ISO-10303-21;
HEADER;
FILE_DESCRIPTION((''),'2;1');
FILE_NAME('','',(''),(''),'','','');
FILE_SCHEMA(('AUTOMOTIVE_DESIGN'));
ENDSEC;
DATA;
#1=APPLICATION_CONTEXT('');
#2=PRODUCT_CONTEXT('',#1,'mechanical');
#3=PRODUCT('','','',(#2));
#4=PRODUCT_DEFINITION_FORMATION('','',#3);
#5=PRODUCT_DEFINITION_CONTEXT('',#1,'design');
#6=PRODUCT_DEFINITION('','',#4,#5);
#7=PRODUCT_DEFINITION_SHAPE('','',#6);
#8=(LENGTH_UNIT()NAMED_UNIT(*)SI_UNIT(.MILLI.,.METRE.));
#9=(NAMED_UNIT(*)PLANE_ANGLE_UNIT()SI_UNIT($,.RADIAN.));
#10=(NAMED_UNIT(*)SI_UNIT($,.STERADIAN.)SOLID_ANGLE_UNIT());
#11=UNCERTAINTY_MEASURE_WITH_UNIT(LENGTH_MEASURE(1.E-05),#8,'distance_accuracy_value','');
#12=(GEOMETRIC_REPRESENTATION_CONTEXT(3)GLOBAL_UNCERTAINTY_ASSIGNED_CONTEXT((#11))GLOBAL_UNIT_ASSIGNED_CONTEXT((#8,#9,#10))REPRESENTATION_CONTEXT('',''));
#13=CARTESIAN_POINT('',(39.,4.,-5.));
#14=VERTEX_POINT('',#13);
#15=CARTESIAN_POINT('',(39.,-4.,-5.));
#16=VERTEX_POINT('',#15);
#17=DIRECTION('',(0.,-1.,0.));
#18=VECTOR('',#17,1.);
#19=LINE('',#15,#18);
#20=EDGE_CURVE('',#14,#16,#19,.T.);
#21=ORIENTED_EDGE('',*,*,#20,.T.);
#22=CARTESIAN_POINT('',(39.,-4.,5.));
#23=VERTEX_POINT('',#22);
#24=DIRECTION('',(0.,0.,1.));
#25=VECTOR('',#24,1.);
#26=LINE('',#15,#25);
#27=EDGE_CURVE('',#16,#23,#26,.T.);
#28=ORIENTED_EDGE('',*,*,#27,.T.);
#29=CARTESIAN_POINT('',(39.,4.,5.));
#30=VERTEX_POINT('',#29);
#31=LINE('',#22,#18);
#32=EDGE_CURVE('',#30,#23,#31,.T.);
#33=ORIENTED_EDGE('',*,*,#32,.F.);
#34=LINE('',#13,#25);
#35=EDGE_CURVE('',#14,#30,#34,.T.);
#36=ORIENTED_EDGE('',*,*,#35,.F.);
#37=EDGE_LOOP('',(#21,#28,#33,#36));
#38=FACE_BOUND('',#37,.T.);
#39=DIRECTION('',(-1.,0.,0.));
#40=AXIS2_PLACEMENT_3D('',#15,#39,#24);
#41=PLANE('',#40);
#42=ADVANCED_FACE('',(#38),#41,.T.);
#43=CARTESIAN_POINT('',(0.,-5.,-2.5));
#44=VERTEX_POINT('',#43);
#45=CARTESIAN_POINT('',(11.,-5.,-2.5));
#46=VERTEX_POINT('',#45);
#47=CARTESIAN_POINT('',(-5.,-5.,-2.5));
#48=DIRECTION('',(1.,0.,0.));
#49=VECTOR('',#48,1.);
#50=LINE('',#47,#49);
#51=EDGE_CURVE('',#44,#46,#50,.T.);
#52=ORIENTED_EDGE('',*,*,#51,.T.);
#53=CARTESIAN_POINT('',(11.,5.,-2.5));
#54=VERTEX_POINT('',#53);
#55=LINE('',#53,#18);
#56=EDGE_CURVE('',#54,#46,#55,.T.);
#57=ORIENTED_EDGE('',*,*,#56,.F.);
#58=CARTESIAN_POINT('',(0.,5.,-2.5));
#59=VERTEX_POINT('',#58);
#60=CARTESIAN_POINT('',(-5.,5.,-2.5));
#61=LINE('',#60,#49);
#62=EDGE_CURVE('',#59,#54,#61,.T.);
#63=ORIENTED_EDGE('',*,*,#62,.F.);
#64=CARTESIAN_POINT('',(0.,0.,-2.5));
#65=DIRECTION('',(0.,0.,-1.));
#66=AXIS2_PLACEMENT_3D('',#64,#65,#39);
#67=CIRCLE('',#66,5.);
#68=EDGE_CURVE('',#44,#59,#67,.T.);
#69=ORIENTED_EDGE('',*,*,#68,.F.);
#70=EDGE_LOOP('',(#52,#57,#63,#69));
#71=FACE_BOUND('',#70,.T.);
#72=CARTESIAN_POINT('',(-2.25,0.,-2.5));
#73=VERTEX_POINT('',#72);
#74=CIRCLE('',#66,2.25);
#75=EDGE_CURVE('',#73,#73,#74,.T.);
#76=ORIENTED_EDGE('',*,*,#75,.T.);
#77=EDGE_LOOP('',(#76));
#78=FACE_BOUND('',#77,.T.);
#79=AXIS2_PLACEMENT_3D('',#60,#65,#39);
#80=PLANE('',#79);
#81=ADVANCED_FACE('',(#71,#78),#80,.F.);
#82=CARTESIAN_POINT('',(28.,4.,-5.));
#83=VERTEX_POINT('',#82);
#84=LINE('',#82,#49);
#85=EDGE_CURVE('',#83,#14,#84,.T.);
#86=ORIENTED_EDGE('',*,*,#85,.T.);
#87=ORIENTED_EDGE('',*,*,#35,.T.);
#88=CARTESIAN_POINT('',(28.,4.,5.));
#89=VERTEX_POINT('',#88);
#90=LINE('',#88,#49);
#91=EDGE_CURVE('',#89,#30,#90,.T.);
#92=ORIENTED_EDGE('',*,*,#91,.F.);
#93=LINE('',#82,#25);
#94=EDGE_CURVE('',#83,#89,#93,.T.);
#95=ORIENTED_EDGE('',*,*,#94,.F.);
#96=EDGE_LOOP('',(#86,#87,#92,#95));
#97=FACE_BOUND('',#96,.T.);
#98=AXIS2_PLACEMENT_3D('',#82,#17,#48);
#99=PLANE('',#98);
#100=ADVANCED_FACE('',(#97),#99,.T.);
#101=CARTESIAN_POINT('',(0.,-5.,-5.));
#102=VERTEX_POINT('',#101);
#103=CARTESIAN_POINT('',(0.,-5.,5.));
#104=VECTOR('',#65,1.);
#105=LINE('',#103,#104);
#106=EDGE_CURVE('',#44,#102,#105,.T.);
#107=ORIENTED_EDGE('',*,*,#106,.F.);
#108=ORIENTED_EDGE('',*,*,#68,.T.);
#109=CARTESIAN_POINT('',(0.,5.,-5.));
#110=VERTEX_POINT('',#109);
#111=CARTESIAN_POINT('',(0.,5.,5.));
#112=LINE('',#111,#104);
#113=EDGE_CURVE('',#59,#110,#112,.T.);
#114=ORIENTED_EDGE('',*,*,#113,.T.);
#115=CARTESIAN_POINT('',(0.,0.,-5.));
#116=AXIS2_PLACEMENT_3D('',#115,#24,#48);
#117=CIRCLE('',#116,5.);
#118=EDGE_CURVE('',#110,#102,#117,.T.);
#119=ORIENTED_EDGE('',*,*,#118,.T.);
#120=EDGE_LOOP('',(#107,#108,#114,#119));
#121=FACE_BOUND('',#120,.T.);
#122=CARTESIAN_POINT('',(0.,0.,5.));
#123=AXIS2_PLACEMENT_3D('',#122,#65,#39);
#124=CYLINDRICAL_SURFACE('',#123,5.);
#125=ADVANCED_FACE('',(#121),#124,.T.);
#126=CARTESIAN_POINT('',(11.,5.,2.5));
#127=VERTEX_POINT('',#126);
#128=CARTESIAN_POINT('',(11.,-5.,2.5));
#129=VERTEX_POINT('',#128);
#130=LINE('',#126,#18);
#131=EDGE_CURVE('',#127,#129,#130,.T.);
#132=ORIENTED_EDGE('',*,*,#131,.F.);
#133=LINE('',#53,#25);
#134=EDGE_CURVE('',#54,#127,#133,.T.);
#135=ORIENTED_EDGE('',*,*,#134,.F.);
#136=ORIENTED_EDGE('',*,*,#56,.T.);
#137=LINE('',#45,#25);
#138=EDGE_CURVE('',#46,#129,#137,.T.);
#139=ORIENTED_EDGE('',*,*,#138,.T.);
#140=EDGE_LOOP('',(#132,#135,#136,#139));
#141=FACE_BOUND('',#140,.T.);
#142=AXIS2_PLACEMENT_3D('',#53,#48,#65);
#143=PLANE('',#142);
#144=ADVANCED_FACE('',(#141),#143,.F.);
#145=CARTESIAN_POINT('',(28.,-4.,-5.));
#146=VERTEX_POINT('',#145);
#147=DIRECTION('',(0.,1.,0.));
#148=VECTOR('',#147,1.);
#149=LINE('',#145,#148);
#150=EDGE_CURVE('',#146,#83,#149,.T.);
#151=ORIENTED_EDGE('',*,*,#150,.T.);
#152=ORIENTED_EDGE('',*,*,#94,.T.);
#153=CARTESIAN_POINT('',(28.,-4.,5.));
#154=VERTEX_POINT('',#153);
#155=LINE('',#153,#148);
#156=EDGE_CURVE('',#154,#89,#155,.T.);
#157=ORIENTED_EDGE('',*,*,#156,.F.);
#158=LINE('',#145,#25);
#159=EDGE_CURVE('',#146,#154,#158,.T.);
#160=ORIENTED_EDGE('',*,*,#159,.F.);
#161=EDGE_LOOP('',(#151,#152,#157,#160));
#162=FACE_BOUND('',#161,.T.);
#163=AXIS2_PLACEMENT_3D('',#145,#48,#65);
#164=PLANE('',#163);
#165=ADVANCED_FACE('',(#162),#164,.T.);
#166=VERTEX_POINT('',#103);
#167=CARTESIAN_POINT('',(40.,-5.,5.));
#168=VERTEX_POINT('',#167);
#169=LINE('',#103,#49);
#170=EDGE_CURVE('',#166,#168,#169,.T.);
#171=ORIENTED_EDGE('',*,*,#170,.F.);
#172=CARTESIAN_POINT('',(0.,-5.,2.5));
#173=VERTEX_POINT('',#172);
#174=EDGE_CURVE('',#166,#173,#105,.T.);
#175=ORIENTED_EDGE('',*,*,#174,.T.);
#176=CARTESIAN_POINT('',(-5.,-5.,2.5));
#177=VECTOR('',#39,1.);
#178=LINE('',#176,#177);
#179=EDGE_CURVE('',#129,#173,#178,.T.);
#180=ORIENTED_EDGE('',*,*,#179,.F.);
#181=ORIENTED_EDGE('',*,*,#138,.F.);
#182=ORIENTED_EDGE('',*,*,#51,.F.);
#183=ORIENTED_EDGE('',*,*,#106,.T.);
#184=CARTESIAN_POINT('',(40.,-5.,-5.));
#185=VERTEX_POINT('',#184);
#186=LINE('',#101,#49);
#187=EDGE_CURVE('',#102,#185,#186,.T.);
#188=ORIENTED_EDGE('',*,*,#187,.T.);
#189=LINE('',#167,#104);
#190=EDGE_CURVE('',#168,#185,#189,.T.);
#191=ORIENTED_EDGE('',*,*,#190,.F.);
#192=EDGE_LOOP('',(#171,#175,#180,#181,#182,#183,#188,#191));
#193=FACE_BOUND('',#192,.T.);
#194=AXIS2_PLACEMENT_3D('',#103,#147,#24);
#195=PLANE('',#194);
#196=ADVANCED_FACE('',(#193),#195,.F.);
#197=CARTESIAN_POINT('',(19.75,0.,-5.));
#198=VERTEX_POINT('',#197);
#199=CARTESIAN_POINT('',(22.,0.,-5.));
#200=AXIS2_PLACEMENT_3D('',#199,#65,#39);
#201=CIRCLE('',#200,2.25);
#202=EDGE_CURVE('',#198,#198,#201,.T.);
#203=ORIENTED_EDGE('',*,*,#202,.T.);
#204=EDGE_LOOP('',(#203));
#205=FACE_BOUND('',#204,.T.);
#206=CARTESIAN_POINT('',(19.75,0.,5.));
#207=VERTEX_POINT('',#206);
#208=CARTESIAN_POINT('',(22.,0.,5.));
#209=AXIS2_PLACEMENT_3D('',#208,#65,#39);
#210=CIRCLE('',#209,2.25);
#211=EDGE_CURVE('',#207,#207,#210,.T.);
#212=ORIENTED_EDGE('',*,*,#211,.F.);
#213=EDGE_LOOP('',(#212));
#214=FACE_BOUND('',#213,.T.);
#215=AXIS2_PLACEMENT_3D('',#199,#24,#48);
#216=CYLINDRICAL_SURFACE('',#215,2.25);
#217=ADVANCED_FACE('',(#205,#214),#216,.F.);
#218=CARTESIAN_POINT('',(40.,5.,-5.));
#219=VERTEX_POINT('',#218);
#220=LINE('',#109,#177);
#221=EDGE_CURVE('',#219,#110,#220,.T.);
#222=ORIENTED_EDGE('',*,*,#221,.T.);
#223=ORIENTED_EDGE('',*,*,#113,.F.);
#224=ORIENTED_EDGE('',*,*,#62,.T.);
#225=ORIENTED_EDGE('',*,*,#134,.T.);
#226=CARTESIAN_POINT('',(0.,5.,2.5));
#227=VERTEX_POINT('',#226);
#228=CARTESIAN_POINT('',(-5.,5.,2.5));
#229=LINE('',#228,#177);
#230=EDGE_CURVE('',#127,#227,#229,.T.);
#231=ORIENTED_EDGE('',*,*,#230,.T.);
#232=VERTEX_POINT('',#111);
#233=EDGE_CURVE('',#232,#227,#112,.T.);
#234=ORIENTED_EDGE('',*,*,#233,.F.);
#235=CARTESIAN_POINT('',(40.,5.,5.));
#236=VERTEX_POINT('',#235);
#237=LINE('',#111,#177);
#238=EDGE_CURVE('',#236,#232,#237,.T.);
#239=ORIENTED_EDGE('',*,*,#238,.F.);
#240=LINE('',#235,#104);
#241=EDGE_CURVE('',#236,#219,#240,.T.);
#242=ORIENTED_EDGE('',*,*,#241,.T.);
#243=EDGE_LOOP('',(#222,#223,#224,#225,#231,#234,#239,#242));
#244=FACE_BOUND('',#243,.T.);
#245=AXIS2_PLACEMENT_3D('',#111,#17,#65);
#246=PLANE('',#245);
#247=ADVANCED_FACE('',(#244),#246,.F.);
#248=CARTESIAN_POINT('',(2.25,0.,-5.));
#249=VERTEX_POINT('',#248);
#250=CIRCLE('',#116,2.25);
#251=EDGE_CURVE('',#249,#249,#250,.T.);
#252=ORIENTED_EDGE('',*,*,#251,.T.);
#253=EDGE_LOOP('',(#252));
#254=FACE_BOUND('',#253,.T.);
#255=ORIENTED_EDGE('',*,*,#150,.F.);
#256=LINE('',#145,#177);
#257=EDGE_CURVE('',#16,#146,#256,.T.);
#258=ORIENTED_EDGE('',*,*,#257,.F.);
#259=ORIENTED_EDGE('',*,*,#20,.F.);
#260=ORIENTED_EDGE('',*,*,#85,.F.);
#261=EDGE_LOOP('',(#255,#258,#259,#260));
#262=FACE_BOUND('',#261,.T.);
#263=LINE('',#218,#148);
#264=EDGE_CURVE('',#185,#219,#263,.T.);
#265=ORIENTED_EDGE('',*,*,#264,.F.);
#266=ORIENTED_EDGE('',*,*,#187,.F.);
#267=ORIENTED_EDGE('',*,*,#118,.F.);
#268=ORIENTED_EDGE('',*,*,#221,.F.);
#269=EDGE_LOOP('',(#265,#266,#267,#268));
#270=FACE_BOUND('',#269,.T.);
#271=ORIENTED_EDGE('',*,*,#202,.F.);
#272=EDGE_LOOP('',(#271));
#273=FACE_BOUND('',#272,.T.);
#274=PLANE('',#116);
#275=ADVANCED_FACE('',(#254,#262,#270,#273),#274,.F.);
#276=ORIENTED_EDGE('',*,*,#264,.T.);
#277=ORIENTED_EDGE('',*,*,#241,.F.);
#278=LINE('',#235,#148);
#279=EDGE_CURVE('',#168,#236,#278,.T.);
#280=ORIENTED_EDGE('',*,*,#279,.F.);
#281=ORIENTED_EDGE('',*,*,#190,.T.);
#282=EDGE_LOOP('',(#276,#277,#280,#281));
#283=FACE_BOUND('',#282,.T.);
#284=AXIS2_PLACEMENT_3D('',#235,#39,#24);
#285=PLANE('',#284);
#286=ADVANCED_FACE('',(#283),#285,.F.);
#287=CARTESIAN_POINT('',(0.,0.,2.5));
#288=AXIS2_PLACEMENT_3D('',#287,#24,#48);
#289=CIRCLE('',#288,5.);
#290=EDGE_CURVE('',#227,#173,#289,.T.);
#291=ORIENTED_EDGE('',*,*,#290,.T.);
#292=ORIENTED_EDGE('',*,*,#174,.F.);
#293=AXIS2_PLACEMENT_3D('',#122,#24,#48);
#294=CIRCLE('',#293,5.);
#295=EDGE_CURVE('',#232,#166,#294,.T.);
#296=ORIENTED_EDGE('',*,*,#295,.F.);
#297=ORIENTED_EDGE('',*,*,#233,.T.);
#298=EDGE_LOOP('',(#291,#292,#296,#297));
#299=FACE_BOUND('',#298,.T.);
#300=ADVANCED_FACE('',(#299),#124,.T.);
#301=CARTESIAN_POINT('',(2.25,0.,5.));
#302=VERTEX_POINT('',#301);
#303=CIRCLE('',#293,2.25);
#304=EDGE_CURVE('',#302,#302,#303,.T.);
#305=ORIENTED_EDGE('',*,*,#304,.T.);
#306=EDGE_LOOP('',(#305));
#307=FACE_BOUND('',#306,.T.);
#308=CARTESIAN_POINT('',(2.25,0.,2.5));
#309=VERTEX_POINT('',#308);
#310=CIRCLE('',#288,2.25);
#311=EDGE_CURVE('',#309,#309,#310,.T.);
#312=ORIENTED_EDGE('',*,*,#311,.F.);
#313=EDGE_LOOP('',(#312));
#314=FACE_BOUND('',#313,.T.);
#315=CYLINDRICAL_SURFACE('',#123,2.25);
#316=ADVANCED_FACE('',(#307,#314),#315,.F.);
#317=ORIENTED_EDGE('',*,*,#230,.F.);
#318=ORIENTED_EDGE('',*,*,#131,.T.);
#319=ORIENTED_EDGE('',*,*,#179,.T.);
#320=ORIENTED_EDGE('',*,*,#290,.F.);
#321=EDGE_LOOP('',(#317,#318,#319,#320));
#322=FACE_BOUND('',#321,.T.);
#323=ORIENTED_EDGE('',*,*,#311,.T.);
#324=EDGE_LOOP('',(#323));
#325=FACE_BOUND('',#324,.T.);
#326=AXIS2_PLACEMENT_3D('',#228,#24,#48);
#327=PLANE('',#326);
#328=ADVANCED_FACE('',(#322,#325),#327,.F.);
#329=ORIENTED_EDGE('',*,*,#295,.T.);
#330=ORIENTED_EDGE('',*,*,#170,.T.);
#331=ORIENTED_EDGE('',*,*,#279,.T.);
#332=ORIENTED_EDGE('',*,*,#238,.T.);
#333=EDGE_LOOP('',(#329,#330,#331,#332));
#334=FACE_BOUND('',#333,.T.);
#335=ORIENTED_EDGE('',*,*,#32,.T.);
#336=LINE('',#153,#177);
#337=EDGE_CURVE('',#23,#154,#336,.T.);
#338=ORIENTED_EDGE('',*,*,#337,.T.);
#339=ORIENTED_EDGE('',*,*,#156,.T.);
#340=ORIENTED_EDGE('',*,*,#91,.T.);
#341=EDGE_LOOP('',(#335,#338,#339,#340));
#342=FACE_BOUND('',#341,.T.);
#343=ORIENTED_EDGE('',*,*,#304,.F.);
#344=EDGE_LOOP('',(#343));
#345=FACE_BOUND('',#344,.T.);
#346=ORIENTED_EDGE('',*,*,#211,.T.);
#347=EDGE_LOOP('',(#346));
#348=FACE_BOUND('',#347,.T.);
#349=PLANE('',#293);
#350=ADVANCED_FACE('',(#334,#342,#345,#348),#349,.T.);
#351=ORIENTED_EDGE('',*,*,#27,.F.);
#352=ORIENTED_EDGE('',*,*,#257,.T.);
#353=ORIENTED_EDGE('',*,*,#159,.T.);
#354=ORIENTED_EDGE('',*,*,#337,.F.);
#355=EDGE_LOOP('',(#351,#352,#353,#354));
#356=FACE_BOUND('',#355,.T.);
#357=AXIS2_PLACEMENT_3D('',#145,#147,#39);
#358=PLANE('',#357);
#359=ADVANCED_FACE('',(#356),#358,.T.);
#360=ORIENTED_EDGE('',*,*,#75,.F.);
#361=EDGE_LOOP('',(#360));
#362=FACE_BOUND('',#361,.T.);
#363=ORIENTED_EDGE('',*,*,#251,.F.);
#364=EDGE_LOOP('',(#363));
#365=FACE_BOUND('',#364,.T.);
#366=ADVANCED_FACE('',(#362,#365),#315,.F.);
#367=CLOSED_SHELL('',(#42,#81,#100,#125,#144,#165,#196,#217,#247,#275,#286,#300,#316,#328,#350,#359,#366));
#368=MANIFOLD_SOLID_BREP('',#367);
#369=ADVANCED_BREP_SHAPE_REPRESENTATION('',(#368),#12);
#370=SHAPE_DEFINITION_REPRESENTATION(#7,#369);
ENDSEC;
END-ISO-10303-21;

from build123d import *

# Parameters (mm, degrees)
SKETCH1_R           = 2.25
BOSS_EXTRUDE1_DEPTH = 5
SKETCH2_R           = 2.25
CUT_EXTRUDE2_DEPTH  = 43.426406871
SKETCH4_W           = 11
SKETCH4_H           = 8
CUT_EXTRUDE5_DEPTH  = 42.533119315
SKETCH5_W           = 16
SKETCH5_H           = 5
CUT_EXTRUDE6_DEPTH  = 42.533119315


with BuildPart() as part:
    # Sketch1 → Boss-Extrude1 (new, symmetric)
    with BuildSketch(Plane.XY):
        with BuildLine():
            Line((0, 5), (40, 5))
            Line((40, 5), (40, -5))
            Line((40, -5), (0, -5))
            ThreePointArc((0, -5), (-5, 0), (0, 5))
        make_face()
        Circle(SKETCH1_R, mode=Mode.SUBTRACT)
    extrude(amount=BOSS_EXTRUDE1_DEPTH, both=True)

    # Sketch2 → Cut-Extrude2 (cut, through all)
    with BuildSketch(Plane(origin=(0, -5, 5), x_dir=(1, 0, 0), z_dir=(0, 0, -1))):
        with Locations(Location((22, -5, 0), (0, 0, 180))):
            Circle(SKETCH2_R)
    extrude(amount=CUT_EXTRUDE2_DEPTH, mode=Mode.SUBTRACT)

    # Sketch4 → Cut-Extrude5 (cut, through all)
    with BuildSketch(Plane(origin=(0, 0, 5), x_dir=(-1, 0, 0), z_dir=(0, 0, -1))):
        with Locations((-33.5, 0)):
            Rectangle(SKETCH4_W, SKETCH4_H)
    extrude(amount=CUT_EXTRUDE5_DEPTH, mode=Mode.SUBTRACT)

    # Sketch5 → Cut-Extrude6 (cut, through all)
    with BuildSketch(Plane.XZ.offset(5)):
        with Locations((3, 0)):
            Rectangle(SKETCH5_W, SKETCH5_H)
    extrude(amount=-CUT_EXTRUDE6_DEPTH, mode=Mode.SUBTRACT)


solid = part.part
